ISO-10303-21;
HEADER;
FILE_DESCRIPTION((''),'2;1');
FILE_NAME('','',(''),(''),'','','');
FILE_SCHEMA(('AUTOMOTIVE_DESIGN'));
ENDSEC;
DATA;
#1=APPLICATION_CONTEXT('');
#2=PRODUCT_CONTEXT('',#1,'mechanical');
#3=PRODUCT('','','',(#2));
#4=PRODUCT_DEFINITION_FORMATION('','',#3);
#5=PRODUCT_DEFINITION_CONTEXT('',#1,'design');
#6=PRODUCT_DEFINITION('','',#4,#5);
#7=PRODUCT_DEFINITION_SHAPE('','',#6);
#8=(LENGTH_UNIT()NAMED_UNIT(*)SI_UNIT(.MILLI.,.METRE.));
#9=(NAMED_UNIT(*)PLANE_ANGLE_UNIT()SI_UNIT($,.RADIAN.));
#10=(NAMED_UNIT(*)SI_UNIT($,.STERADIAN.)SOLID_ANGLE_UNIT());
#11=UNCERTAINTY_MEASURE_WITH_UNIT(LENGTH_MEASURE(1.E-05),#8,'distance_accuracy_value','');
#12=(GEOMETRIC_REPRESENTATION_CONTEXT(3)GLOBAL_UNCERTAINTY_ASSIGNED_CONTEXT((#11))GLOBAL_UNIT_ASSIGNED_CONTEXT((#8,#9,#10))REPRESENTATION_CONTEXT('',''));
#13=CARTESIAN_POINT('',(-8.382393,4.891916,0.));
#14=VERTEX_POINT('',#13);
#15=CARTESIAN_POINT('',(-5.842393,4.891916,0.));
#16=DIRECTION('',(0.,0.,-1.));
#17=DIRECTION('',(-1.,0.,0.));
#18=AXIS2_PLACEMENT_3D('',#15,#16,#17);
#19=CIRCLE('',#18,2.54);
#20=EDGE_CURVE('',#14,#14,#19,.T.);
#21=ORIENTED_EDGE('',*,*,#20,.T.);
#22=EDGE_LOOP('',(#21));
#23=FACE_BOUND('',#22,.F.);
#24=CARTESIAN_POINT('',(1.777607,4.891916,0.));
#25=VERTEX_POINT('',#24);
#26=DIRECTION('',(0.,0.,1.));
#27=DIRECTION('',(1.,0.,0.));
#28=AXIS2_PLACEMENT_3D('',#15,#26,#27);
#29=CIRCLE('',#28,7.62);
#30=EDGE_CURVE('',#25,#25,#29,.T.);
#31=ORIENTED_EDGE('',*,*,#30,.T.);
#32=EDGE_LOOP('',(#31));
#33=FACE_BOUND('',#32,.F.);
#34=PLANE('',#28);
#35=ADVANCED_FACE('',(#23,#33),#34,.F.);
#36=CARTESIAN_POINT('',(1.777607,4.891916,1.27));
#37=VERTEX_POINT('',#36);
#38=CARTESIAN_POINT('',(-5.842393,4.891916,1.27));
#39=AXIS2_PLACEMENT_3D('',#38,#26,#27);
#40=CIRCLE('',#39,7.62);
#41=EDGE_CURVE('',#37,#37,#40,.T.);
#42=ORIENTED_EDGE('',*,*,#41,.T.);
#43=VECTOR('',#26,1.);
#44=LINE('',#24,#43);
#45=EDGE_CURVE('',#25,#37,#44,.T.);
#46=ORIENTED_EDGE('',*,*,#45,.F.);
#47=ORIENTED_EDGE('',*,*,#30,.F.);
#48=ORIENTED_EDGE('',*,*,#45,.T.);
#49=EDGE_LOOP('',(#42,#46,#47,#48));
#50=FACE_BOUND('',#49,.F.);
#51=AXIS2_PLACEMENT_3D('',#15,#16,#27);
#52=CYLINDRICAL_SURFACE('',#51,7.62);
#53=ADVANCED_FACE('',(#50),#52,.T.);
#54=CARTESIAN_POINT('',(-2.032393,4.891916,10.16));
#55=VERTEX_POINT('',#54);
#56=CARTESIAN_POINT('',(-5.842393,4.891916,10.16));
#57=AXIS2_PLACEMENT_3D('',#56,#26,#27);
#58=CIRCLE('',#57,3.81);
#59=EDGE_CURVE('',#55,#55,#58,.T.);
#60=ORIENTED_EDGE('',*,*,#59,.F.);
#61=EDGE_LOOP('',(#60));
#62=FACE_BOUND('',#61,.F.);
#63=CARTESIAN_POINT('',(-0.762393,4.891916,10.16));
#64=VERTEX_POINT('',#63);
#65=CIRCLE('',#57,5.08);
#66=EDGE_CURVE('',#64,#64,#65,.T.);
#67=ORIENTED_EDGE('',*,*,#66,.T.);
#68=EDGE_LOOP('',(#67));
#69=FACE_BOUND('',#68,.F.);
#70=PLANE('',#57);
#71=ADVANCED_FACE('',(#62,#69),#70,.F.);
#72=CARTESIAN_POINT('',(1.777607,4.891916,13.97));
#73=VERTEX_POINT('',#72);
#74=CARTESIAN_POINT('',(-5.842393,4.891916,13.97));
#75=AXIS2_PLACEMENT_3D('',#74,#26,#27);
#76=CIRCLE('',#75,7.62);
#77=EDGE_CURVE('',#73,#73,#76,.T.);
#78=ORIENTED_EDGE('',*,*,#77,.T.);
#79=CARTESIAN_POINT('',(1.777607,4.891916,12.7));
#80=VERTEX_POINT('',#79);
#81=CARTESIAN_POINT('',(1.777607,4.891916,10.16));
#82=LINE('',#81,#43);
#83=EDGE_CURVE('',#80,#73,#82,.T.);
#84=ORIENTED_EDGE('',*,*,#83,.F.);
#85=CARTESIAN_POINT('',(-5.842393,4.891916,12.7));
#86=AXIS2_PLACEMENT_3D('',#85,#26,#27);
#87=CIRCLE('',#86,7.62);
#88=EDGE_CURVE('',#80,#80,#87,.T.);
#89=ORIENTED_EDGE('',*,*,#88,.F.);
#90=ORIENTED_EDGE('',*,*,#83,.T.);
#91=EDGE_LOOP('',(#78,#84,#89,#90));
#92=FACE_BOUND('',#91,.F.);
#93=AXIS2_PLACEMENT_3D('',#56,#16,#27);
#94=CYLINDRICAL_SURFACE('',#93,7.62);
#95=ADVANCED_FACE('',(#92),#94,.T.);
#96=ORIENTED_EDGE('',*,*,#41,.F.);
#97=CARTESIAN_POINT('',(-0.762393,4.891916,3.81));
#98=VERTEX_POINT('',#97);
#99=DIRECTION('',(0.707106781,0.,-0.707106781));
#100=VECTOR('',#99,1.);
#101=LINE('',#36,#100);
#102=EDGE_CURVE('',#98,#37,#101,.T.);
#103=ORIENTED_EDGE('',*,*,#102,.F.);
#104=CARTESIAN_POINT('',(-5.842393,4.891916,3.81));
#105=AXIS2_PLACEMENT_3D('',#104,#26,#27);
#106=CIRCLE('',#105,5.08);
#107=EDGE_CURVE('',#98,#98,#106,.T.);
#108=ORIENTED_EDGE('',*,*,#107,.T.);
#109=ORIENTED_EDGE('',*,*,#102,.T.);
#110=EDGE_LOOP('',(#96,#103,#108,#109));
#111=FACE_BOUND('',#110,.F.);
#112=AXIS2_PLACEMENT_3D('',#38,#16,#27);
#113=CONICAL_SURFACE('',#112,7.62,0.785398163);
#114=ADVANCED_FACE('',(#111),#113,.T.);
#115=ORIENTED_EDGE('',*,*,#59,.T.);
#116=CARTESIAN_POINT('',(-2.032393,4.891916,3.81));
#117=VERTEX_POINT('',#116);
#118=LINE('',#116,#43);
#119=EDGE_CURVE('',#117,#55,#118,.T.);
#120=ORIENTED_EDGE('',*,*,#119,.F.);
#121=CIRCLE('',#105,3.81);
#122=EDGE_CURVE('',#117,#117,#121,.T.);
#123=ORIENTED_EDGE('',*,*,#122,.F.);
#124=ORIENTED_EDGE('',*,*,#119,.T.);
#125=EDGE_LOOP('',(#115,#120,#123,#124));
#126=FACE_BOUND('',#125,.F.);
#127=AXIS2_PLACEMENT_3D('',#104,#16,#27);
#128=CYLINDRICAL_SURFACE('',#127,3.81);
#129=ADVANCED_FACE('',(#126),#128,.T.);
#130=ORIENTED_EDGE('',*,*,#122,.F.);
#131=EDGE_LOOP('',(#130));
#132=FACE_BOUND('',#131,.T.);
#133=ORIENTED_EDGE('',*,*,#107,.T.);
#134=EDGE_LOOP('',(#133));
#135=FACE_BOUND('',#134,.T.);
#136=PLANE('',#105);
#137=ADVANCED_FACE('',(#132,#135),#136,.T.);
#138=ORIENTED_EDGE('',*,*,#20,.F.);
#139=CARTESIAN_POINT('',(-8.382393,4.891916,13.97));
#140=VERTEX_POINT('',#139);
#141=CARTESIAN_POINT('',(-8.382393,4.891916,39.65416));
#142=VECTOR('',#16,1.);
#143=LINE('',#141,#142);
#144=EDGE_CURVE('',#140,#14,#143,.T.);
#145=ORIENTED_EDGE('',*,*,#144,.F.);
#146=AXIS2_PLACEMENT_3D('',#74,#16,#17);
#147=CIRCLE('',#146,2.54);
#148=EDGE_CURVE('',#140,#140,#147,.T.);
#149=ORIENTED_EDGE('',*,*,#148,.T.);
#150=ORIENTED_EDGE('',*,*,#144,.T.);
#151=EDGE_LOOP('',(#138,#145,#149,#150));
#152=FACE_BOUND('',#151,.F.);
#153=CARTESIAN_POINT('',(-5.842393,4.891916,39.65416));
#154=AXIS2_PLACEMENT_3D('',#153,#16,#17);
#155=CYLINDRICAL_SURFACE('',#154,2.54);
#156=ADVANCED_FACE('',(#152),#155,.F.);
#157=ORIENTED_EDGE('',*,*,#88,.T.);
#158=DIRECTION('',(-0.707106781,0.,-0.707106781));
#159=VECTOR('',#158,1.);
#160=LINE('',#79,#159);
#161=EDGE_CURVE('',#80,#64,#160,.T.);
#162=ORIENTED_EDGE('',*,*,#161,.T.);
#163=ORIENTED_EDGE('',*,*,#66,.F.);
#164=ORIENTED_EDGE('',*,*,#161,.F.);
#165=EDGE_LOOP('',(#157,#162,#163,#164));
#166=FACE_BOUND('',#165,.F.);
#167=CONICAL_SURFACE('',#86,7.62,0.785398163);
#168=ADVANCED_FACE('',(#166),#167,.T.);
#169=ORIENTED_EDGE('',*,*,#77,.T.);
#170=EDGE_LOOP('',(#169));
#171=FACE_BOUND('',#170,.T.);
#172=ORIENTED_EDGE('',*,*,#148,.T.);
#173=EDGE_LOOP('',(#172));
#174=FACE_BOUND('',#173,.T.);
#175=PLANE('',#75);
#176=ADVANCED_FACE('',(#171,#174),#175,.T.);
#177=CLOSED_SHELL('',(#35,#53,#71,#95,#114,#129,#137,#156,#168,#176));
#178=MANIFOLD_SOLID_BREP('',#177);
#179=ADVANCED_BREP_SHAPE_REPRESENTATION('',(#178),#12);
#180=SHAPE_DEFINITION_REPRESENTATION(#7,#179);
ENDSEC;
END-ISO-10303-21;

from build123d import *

# Parameters (mm, degrees)
F0_R     = 7.62
F1_DEPTH = 3.81
F2_R     = 3.81
F3_DEPTH = 6.35
F4_R     = 7.62
F5_DEPTH = 3.81
F7_D     = 5.08
F8_SIZE  = 2.54


with BuildPart() as f1:
    # F0 (on Top) → F1 (new body)
    with BuildSketch(Plane.XY):
        with Locations((-5.842393, 4.891916)):
            Circle(F0_R)
    extrude(amount=F1_DEPTH)

    # F2 (on face) → F3 (join)
    with BuildSketch(Plane.XY.offset(3.81)):
        with Locations((-5.842393, 4.891916)):
            Circle(F2_R)
    extrude(amount=F3_DEPTH)

    # F4 (on face) → F5 (join)
    with BuildSketch(Plane.XY.offset(10.16)):
        with Locations((-5.842393, 4.891916)):
            Circle(F4_R)
    extrude(amount=F5_DEPTH)

    # F7 (through all)
    with Locations(Plane.XY.offset(13.97)):
        with Locations((-5.842393, 4.891916)):
            Hole(F7_D / 2)

    # F8
    f8_edges = [f1.edges().sort_by_distance(p)[0] for p in [
        (-13.462393, 4.891916, 10.16),
        (-13.462393, 4.891916, 3.81),
    ]]
    chamfer(f8_edges, length=F8_SIZE)


solid = f1.part
